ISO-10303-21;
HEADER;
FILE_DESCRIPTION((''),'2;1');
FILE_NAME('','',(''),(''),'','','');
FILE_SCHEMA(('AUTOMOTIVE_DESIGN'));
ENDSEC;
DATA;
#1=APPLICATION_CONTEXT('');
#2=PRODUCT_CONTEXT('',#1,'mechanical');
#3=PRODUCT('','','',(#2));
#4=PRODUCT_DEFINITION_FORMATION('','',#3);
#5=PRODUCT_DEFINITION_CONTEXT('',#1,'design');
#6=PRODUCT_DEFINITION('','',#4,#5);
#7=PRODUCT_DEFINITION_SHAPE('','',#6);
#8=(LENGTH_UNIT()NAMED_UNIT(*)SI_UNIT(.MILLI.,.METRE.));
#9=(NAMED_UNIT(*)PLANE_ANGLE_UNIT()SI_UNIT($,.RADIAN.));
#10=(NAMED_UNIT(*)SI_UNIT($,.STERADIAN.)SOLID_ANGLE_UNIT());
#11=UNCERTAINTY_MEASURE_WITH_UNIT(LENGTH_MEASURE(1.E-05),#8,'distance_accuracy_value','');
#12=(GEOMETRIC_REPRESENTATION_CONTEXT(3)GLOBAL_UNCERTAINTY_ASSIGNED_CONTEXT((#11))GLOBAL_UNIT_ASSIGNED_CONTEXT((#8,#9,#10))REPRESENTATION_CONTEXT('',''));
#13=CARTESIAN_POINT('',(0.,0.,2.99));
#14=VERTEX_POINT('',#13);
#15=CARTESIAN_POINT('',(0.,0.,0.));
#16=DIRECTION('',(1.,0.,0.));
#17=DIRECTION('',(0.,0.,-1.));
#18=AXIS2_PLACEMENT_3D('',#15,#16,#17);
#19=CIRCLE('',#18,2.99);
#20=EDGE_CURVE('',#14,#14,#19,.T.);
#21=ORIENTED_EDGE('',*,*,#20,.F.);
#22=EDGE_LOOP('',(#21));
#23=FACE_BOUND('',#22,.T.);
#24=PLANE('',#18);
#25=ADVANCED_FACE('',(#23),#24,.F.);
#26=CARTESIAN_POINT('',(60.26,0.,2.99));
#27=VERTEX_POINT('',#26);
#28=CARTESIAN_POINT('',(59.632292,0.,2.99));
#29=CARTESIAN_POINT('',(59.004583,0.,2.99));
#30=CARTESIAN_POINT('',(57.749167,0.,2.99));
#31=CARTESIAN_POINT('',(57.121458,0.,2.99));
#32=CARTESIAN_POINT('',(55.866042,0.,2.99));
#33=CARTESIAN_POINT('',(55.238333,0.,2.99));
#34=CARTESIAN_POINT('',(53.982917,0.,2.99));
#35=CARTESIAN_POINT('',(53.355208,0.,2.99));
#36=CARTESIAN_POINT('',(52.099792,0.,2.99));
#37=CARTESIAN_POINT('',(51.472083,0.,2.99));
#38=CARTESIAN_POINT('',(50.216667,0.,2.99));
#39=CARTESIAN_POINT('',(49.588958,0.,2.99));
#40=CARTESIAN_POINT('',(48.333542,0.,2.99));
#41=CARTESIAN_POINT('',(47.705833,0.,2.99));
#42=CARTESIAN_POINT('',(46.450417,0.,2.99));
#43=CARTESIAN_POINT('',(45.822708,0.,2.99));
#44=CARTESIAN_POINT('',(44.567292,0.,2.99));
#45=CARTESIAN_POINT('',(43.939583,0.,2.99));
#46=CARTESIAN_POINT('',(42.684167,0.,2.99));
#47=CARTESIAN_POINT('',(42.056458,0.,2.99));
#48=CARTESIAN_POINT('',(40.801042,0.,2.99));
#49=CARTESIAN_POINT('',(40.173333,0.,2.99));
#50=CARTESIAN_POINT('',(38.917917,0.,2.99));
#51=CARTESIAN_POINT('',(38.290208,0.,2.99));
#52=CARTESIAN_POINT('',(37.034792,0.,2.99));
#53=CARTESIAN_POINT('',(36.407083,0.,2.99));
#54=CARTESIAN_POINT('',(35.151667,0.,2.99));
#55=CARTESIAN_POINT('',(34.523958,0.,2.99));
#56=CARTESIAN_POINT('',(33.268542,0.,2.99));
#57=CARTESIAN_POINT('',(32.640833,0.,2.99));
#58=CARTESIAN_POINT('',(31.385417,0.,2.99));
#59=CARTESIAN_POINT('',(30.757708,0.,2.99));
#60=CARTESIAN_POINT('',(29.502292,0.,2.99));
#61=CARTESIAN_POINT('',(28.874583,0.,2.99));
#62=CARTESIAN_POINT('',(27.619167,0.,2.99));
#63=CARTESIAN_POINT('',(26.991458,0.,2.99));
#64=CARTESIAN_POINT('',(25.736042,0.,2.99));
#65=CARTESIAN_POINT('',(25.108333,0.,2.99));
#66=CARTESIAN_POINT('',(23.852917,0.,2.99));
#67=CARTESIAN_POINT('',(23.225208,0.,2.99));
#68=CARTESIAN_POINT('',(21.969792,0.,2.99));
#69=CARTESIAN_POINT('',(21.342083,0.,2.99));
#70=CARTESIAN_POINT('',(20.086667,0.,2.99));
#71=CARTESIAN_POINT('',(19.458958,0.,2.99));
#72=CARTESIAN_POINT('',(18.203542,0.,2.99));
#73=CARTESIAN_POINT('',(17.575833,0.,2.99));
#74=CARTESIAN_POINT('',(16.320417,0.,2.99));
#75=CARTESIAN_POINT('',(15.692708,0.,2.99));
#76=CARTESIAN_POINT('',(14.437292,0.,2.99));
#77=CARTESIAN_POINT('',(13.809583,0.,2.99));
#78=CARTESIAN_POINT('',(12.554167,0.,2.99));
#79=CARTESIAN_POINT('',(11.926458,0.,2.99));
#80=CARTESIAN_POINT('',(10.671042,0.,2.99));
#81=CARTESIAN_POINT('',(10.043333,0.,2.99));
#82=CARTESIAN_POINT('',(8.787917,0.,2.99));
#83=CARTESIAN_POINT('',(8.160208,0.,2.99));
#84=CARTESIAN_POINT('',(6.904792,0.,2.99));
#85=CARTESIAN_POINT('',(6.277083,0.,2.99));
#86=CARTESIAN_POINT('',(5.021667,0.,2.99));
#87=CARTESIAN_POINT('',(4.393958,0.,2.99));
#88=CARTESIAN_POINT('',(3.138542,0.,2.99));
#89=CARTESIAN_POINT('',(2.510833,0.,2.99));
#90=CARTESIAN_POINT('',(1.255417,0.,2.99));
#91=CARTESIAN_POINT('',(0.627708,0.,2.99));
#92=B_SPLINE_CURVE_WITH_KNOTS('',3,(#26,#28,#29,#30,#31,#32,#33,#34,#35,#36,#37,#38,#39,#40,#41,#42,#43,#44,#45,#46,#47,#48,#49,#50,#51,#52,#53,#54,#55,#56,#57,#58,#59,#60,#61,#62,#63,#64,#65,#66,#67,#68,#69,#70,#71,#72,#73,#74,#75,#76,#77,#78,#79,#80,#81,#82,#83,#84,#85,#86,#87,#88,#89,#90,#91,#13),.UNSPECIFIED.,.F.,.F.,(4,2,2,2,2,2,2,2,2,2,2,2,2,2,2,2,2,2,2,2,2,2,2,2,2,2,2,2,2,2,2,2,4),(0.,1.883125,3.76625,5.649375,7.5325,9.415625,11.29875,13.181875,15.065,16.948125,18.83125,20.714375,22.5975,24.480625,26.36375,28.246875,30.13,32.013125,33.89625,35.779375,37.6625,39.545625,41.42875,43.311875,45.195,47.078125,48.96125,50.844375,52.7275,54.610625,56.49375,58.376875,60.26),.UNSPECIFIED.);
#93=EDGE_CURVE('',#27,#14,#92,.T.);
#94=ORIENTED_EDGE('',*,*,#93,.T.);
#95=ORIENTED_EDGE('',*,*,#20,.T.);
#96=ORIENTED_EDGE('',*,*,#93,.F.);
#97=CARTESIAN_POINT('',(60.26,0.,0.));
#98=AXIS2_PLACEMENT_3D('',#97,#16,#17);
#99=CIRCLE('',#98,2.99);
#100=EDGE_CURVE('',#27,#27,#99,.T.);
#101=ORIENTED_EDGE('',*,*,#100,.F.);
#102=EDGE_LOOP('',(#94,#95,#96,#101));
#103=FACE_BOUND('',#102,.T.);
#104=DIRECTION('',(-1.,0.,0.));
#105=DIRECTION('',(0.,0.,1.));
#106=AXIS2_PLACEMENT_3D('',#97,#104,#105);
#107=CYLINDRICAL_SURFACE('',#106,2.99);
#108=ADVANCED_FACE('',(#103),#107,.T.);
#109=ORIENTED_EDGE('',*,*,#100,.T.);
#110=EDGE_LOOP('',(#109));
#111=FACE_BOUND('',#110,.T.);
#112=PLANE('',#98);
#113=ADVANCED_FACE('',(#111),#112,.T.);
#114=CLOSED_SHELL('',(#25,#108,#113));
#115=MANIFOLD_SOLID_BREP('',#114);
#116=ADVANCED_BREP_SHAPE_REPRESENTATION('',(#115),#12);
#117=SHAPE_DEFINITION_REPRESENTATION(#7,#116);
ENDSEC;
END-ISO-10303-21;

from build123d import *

# Parameters (mm, degrees)
SCHIZZO1_R                   = 2.99
ESTRUSIONE_ESTRUSIONE1_DEPTH = 60.26


with BuildPart() as part:
    # Schizzo1 → Estrusione-Estrusione1 (new body)
    with BuildSketch(Plane(origin=(0, 0, 0), x_dir=(0, 0, -1), z_dir=(1, 0, 0))):
        with Locations(Location((0, 0, 0), (0, 0, 180))):
            Circle(SCHIZZO1_R)
    extrude(amount=ESTRUSIONE_ESTRUSIONE1_DEPTH)


solid = part.part
